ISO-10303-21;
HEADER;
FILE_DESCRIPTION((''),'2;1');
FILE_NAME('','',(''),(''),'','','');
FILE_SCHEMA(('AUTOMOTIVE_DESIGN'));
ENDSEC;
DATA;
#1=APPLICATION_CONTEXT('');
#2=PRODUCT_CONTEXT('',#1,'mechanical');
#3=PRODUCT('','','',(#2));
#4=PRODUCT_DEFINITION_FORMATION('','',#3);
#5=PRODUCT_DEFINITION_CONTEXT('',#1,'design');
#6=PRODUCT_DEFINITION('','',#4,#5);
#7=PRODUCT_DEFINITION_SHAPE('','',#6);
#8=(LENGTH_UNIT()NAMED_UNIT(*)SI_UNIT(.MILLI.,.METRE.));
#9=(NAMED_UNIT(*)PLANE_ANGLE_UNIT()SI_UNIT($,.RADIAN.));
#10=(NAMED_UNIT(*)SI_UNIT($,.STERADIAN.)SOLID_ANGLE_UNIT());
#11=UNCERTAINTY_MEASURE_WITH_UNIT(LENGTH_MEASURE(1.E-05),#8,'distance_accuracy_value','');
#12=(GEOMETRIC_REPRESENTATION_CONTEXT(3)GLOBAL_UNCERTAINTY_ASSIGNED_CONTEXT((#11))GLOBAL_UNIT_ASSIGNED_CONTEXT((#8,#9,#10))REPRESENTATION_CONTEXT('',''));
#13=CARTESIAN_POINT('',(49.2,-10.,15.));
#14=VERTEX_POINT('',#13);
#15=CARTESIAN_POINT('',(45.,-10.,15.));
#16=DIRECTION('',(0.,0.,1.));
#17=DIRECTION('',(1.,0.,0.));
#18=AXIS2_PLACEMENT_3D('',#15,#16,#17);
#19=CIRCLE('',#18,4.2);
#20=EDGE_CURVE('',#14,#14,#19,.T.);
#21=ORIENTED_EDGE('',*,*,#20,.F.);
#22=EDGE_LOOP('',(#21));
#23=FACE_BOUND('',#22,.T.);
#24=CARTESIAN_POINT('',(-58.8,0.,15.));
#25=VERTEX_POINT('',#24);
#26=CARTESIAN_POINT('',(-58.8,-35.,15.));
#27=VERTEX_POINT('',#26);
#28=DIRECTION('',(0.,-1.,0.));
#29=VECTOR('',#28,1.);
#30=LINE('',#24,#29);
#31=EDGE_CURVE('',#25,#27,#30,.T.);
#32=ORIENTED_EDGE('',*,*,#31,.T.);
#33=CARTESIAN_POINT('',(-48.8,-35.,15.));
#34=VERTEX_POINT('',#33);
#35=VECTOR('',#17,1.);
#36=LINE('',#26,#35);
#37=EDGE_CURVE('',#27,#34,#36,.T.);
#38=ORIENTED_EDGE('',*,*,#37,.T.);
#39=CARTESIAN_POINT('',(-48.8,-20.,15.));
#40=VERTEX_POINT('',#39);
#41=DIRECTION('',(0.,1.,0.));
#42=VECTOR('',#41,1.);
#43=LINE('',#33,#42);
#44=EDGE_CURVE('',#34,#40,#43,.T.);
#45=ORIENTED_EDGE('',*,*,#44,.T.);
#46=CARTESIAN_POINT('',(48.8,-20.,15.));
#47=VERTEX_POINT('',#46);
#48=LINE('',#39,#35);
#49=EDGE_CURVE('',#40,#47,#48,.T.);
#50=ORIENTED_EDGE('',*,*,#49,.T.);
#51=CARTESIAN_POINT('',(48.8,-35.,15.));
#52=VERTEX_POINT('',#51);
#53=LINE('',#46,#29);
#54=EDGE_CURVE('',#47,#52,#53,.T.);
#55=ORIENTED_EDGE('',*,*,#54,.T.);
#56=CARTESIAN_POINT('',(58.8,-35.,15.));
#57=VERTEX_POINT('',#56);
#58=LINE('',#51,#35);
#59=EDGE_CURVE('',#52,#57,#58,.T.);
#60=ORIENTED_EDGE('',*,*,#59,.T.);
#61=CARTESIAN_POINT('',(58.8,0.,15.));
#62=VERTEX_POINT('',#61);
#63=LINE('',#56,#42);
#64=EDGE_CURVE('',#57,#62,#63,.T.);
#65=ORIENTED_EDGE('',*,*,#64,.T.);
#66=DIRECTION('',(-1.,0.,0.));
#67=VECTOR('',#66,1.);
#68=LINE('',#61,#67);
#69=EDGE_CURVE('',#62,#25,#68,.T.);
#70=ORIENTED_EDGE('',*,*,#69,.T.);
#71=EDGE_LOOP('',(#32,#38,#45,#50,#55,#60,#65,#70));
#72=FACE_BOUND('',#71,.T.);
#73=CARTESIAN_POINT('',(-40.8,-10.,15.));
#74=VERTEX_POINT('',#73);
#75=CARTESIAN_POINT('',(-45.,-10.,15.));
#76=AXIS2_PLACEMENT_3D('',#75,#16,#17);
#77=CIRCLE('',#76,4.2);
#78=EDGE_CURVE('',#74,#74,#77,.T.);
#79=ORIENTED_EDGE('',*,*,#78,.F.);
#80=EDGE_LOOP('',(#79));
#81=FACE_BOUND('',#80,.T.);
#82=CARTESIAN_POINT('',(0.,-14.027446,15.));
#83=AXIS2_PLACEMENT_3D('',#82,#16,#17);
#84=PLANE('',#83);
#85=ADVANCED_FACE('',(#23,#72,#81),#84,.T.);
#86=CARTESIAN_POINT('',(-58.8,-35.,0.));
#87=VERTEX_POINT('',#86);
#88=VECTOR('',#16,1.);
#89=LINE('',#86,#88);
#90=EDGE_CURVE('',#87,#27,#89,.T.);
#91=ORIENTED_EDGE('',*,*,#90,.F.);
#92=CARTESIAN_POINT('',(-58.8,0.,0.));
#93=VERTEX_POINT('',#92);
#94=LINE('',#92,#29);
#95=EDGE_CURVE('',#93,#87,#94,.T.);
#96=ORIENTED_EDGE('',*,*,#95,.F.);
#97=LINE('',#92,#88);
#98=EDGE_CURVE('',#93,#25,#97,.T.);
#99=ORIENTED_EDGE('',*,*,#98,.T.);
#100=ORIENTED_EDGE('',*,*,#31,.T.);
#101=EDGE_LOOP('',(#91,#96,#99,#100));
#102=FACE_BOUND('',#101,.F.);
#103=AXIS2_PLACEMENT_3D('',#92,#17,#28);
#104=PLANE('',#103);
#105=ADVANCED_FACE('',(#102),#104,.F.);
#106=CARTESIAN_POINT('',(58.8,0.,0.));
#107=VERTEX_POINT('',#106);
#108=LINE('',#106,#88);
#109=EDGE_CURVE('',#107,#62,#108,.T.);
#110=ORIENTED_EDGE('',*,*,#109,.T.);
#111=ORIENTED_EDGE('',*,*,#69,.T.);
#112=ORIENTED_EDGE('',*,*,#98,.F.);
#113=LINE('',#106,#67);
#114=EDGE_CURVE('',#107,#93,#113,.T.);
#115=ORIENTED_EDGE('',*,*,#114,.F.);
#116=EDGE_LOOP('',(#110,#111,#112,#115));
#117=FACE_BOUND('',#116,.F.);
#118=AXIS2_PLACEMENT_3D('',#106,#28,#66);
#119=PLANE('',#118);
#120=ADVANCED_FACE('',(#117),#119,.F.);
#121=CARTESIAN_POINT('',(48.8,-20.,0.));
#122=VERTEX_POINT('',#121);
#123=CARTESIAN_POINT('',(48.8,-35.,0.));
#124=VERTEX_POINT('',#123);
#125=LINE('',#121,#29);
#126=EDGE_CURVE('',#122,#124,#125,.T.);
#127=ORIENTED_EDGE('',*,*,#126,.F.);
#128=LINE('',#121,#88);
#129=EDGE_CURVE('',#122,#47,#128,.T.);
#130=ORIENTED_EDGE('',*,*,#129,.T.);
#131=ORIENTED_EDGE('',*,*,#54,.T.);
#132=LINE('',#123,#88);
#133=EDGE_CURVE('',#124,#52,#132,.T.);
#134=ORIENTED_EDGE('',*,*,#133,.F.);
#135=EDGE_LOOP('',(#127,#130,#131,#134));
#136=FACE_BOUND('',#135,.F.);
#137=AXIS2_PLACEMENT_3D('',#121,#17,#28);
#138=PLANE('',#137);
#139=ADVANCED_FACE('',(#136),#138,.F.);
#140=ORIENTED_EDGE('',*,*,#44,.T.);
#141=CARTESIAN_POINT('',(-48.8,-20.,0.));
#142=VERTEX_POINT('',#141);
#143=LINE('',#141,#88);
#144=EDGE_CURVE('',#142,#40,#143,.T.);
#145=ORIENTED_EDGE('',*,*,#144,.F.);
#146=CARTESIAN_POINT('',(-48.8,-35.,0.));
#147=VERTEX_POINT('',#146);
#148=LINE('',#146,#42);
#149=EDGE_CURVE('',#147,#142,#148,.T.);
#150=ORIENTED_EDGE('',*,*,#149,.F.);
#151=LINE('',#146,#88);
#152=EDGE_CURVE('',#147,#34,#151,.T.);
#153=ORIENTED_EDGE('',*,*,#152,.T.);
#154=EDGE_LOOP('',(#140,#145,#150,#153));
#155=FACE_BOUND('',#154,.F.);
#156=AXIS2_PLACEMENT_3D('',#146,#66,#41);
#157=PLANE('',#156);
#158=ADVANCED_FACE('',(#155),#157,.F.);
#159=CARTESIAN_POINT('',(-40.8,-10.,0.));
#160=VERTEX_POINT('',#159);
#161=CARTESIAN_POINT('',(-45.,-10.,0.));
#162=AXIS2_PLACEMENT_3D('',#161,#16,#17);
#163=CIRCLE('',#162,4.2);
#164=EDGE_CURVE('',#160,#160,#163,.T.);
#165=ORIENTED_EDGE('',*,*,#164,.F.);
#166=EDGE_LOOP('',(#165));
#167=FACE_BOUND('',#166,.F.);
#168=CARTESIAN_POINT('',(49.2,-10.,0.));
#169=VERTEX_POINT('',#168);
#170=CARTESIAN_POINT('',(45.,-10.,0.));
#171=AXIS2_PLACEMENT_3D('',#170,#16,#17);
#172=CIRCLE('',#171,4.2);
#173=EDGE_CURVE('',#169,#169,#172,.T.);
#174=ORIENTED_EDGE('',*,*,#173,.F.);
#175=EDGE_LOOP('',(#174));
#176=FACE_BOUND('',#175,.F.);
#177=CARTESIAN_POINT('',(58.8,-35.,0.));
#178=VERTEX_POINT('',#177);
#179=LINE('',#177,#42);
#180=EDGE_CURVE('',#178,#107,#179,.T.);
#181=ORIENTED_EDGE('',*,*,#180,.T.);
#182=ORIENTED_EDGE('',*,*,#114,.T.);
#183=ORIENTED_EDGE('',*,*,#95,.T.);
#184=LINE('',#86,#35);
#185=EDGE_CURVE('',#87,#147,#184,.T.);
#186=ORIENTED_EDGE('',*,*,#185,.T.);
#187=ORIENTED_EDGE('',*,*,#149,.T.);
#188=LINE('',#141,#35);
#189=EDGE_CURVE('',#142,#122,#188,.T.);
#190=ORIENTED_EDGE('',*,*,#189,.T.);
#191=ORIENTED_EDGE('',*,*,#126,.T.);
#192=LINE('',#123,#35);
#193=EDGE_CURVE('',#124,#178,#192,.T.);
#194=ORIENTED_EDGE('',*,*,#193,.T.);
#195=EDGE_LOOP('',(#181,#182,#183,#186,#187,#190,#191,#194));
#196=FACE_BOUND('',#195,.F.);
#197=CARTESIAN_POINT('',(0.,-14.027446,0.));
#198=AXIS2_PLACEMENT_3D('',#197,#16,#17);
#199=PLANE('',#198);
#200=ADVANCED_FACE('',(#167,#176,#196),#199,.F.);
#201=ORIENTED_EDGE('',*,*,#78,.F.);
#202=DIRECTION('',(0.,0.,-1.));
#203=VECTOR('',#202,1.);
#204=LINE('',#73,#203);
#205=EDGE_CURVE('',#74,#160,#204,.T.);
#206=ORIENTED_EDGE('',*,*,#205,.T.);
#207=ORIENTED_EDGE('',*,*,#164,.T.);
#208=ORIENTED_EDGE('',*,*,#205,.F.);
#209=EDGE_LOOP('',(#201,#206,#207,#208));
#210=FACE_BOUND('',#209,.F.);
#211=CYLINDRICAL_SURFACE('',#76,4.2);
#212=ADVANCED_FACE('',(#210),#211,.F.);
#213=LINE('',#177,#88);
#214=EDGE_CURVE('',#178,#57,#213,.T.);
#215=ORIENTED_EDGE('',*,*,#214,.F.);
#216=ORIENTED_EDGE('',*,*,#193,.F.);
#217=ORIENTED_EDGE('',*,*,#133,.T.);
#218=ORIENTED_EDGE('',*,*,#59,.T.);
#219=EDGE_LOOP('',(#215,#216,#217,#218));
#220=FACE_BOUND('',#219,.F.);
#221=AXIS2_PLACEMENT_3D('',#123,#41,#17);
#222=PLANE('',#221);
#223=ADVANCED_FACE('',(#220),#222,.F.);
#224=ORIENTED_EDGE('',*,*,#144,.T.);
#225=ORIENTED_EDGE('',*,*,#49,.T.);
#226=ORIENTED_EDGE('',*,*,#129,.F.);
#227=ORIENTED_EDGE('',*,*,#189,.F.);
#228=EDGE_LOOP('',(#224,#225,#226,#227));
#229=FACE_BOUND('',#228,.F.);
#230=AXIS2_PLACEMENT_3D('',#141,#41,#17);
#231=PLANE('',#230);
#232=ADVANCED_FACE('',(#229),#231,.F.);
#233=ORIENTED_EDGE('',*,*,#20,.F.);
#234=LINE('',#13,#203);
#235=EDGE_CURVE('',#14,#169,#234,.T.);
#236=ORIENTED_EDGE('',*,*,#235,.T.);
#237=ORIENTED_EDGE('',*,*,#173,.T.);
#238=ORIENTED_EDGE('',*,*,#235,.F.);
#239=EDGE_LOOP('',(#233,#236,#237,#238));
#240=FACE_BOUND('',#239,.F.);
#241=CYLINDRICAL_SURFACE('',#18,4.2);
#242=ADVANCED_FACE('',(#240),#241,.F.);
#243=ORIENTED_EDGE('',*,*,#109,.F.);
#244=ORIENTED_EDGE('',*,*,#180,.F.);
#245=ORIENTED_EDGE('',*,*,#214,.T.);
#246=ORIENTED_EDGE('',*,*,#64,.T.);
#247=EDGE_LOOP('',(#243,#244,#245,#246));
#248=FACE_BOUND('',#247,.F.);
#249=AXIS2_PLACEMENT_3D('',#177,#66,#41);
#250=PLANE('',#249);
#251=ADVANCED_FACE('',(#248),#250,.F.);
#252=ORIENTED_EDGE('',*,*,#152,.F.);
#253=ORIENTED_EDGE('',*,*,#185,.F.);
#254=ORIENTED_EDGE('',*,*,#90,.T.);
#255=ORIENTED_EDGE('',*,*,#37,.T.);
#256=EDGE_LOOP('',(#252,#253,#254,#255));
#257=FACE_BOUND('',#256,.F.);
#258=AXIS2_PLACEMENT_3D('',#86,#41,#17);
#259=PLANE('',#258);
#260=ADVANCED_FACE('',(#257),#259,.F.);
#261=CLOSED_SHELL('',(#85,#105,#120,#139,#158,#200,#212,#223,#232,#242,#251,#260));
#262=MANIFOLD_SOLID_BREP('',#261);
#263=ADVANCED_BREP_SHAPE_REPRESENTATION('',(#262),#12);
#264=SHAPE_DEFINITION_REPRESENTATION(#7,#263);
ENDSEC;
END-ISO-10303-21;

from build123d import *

# Parameters (mm, degrees)
PAD_DEPTH    = 15
SKETCH001_R  = 4.2
POCKET_DEPTH = 54


with BuildPart() as part:
    # Sketch → Pad (new body)
    with BuildSketch(Plane.XY):
        Polygon((-58.8, 0), (-58.8, -35), (-48.8, -35), (-48.8, -20), (48.8, -20), (48.8, -35), (58.8, -35), (58.8, 0), align=None)
    extrude(amount=PAD_DEPTH)

    # Sketch001 → Pocket (cut)
    with BuildSketch(Plane.XY.offset(15)):
        with Locations((-45, -10)):
            Circle(SKETCH001_R)
        with Locations((45, -10)):
            Circle(SKETCH001_R)
    extrude(amount=-POCKET_DEPTH, mode=Mode.SUBTRACT)


solid = part.part
